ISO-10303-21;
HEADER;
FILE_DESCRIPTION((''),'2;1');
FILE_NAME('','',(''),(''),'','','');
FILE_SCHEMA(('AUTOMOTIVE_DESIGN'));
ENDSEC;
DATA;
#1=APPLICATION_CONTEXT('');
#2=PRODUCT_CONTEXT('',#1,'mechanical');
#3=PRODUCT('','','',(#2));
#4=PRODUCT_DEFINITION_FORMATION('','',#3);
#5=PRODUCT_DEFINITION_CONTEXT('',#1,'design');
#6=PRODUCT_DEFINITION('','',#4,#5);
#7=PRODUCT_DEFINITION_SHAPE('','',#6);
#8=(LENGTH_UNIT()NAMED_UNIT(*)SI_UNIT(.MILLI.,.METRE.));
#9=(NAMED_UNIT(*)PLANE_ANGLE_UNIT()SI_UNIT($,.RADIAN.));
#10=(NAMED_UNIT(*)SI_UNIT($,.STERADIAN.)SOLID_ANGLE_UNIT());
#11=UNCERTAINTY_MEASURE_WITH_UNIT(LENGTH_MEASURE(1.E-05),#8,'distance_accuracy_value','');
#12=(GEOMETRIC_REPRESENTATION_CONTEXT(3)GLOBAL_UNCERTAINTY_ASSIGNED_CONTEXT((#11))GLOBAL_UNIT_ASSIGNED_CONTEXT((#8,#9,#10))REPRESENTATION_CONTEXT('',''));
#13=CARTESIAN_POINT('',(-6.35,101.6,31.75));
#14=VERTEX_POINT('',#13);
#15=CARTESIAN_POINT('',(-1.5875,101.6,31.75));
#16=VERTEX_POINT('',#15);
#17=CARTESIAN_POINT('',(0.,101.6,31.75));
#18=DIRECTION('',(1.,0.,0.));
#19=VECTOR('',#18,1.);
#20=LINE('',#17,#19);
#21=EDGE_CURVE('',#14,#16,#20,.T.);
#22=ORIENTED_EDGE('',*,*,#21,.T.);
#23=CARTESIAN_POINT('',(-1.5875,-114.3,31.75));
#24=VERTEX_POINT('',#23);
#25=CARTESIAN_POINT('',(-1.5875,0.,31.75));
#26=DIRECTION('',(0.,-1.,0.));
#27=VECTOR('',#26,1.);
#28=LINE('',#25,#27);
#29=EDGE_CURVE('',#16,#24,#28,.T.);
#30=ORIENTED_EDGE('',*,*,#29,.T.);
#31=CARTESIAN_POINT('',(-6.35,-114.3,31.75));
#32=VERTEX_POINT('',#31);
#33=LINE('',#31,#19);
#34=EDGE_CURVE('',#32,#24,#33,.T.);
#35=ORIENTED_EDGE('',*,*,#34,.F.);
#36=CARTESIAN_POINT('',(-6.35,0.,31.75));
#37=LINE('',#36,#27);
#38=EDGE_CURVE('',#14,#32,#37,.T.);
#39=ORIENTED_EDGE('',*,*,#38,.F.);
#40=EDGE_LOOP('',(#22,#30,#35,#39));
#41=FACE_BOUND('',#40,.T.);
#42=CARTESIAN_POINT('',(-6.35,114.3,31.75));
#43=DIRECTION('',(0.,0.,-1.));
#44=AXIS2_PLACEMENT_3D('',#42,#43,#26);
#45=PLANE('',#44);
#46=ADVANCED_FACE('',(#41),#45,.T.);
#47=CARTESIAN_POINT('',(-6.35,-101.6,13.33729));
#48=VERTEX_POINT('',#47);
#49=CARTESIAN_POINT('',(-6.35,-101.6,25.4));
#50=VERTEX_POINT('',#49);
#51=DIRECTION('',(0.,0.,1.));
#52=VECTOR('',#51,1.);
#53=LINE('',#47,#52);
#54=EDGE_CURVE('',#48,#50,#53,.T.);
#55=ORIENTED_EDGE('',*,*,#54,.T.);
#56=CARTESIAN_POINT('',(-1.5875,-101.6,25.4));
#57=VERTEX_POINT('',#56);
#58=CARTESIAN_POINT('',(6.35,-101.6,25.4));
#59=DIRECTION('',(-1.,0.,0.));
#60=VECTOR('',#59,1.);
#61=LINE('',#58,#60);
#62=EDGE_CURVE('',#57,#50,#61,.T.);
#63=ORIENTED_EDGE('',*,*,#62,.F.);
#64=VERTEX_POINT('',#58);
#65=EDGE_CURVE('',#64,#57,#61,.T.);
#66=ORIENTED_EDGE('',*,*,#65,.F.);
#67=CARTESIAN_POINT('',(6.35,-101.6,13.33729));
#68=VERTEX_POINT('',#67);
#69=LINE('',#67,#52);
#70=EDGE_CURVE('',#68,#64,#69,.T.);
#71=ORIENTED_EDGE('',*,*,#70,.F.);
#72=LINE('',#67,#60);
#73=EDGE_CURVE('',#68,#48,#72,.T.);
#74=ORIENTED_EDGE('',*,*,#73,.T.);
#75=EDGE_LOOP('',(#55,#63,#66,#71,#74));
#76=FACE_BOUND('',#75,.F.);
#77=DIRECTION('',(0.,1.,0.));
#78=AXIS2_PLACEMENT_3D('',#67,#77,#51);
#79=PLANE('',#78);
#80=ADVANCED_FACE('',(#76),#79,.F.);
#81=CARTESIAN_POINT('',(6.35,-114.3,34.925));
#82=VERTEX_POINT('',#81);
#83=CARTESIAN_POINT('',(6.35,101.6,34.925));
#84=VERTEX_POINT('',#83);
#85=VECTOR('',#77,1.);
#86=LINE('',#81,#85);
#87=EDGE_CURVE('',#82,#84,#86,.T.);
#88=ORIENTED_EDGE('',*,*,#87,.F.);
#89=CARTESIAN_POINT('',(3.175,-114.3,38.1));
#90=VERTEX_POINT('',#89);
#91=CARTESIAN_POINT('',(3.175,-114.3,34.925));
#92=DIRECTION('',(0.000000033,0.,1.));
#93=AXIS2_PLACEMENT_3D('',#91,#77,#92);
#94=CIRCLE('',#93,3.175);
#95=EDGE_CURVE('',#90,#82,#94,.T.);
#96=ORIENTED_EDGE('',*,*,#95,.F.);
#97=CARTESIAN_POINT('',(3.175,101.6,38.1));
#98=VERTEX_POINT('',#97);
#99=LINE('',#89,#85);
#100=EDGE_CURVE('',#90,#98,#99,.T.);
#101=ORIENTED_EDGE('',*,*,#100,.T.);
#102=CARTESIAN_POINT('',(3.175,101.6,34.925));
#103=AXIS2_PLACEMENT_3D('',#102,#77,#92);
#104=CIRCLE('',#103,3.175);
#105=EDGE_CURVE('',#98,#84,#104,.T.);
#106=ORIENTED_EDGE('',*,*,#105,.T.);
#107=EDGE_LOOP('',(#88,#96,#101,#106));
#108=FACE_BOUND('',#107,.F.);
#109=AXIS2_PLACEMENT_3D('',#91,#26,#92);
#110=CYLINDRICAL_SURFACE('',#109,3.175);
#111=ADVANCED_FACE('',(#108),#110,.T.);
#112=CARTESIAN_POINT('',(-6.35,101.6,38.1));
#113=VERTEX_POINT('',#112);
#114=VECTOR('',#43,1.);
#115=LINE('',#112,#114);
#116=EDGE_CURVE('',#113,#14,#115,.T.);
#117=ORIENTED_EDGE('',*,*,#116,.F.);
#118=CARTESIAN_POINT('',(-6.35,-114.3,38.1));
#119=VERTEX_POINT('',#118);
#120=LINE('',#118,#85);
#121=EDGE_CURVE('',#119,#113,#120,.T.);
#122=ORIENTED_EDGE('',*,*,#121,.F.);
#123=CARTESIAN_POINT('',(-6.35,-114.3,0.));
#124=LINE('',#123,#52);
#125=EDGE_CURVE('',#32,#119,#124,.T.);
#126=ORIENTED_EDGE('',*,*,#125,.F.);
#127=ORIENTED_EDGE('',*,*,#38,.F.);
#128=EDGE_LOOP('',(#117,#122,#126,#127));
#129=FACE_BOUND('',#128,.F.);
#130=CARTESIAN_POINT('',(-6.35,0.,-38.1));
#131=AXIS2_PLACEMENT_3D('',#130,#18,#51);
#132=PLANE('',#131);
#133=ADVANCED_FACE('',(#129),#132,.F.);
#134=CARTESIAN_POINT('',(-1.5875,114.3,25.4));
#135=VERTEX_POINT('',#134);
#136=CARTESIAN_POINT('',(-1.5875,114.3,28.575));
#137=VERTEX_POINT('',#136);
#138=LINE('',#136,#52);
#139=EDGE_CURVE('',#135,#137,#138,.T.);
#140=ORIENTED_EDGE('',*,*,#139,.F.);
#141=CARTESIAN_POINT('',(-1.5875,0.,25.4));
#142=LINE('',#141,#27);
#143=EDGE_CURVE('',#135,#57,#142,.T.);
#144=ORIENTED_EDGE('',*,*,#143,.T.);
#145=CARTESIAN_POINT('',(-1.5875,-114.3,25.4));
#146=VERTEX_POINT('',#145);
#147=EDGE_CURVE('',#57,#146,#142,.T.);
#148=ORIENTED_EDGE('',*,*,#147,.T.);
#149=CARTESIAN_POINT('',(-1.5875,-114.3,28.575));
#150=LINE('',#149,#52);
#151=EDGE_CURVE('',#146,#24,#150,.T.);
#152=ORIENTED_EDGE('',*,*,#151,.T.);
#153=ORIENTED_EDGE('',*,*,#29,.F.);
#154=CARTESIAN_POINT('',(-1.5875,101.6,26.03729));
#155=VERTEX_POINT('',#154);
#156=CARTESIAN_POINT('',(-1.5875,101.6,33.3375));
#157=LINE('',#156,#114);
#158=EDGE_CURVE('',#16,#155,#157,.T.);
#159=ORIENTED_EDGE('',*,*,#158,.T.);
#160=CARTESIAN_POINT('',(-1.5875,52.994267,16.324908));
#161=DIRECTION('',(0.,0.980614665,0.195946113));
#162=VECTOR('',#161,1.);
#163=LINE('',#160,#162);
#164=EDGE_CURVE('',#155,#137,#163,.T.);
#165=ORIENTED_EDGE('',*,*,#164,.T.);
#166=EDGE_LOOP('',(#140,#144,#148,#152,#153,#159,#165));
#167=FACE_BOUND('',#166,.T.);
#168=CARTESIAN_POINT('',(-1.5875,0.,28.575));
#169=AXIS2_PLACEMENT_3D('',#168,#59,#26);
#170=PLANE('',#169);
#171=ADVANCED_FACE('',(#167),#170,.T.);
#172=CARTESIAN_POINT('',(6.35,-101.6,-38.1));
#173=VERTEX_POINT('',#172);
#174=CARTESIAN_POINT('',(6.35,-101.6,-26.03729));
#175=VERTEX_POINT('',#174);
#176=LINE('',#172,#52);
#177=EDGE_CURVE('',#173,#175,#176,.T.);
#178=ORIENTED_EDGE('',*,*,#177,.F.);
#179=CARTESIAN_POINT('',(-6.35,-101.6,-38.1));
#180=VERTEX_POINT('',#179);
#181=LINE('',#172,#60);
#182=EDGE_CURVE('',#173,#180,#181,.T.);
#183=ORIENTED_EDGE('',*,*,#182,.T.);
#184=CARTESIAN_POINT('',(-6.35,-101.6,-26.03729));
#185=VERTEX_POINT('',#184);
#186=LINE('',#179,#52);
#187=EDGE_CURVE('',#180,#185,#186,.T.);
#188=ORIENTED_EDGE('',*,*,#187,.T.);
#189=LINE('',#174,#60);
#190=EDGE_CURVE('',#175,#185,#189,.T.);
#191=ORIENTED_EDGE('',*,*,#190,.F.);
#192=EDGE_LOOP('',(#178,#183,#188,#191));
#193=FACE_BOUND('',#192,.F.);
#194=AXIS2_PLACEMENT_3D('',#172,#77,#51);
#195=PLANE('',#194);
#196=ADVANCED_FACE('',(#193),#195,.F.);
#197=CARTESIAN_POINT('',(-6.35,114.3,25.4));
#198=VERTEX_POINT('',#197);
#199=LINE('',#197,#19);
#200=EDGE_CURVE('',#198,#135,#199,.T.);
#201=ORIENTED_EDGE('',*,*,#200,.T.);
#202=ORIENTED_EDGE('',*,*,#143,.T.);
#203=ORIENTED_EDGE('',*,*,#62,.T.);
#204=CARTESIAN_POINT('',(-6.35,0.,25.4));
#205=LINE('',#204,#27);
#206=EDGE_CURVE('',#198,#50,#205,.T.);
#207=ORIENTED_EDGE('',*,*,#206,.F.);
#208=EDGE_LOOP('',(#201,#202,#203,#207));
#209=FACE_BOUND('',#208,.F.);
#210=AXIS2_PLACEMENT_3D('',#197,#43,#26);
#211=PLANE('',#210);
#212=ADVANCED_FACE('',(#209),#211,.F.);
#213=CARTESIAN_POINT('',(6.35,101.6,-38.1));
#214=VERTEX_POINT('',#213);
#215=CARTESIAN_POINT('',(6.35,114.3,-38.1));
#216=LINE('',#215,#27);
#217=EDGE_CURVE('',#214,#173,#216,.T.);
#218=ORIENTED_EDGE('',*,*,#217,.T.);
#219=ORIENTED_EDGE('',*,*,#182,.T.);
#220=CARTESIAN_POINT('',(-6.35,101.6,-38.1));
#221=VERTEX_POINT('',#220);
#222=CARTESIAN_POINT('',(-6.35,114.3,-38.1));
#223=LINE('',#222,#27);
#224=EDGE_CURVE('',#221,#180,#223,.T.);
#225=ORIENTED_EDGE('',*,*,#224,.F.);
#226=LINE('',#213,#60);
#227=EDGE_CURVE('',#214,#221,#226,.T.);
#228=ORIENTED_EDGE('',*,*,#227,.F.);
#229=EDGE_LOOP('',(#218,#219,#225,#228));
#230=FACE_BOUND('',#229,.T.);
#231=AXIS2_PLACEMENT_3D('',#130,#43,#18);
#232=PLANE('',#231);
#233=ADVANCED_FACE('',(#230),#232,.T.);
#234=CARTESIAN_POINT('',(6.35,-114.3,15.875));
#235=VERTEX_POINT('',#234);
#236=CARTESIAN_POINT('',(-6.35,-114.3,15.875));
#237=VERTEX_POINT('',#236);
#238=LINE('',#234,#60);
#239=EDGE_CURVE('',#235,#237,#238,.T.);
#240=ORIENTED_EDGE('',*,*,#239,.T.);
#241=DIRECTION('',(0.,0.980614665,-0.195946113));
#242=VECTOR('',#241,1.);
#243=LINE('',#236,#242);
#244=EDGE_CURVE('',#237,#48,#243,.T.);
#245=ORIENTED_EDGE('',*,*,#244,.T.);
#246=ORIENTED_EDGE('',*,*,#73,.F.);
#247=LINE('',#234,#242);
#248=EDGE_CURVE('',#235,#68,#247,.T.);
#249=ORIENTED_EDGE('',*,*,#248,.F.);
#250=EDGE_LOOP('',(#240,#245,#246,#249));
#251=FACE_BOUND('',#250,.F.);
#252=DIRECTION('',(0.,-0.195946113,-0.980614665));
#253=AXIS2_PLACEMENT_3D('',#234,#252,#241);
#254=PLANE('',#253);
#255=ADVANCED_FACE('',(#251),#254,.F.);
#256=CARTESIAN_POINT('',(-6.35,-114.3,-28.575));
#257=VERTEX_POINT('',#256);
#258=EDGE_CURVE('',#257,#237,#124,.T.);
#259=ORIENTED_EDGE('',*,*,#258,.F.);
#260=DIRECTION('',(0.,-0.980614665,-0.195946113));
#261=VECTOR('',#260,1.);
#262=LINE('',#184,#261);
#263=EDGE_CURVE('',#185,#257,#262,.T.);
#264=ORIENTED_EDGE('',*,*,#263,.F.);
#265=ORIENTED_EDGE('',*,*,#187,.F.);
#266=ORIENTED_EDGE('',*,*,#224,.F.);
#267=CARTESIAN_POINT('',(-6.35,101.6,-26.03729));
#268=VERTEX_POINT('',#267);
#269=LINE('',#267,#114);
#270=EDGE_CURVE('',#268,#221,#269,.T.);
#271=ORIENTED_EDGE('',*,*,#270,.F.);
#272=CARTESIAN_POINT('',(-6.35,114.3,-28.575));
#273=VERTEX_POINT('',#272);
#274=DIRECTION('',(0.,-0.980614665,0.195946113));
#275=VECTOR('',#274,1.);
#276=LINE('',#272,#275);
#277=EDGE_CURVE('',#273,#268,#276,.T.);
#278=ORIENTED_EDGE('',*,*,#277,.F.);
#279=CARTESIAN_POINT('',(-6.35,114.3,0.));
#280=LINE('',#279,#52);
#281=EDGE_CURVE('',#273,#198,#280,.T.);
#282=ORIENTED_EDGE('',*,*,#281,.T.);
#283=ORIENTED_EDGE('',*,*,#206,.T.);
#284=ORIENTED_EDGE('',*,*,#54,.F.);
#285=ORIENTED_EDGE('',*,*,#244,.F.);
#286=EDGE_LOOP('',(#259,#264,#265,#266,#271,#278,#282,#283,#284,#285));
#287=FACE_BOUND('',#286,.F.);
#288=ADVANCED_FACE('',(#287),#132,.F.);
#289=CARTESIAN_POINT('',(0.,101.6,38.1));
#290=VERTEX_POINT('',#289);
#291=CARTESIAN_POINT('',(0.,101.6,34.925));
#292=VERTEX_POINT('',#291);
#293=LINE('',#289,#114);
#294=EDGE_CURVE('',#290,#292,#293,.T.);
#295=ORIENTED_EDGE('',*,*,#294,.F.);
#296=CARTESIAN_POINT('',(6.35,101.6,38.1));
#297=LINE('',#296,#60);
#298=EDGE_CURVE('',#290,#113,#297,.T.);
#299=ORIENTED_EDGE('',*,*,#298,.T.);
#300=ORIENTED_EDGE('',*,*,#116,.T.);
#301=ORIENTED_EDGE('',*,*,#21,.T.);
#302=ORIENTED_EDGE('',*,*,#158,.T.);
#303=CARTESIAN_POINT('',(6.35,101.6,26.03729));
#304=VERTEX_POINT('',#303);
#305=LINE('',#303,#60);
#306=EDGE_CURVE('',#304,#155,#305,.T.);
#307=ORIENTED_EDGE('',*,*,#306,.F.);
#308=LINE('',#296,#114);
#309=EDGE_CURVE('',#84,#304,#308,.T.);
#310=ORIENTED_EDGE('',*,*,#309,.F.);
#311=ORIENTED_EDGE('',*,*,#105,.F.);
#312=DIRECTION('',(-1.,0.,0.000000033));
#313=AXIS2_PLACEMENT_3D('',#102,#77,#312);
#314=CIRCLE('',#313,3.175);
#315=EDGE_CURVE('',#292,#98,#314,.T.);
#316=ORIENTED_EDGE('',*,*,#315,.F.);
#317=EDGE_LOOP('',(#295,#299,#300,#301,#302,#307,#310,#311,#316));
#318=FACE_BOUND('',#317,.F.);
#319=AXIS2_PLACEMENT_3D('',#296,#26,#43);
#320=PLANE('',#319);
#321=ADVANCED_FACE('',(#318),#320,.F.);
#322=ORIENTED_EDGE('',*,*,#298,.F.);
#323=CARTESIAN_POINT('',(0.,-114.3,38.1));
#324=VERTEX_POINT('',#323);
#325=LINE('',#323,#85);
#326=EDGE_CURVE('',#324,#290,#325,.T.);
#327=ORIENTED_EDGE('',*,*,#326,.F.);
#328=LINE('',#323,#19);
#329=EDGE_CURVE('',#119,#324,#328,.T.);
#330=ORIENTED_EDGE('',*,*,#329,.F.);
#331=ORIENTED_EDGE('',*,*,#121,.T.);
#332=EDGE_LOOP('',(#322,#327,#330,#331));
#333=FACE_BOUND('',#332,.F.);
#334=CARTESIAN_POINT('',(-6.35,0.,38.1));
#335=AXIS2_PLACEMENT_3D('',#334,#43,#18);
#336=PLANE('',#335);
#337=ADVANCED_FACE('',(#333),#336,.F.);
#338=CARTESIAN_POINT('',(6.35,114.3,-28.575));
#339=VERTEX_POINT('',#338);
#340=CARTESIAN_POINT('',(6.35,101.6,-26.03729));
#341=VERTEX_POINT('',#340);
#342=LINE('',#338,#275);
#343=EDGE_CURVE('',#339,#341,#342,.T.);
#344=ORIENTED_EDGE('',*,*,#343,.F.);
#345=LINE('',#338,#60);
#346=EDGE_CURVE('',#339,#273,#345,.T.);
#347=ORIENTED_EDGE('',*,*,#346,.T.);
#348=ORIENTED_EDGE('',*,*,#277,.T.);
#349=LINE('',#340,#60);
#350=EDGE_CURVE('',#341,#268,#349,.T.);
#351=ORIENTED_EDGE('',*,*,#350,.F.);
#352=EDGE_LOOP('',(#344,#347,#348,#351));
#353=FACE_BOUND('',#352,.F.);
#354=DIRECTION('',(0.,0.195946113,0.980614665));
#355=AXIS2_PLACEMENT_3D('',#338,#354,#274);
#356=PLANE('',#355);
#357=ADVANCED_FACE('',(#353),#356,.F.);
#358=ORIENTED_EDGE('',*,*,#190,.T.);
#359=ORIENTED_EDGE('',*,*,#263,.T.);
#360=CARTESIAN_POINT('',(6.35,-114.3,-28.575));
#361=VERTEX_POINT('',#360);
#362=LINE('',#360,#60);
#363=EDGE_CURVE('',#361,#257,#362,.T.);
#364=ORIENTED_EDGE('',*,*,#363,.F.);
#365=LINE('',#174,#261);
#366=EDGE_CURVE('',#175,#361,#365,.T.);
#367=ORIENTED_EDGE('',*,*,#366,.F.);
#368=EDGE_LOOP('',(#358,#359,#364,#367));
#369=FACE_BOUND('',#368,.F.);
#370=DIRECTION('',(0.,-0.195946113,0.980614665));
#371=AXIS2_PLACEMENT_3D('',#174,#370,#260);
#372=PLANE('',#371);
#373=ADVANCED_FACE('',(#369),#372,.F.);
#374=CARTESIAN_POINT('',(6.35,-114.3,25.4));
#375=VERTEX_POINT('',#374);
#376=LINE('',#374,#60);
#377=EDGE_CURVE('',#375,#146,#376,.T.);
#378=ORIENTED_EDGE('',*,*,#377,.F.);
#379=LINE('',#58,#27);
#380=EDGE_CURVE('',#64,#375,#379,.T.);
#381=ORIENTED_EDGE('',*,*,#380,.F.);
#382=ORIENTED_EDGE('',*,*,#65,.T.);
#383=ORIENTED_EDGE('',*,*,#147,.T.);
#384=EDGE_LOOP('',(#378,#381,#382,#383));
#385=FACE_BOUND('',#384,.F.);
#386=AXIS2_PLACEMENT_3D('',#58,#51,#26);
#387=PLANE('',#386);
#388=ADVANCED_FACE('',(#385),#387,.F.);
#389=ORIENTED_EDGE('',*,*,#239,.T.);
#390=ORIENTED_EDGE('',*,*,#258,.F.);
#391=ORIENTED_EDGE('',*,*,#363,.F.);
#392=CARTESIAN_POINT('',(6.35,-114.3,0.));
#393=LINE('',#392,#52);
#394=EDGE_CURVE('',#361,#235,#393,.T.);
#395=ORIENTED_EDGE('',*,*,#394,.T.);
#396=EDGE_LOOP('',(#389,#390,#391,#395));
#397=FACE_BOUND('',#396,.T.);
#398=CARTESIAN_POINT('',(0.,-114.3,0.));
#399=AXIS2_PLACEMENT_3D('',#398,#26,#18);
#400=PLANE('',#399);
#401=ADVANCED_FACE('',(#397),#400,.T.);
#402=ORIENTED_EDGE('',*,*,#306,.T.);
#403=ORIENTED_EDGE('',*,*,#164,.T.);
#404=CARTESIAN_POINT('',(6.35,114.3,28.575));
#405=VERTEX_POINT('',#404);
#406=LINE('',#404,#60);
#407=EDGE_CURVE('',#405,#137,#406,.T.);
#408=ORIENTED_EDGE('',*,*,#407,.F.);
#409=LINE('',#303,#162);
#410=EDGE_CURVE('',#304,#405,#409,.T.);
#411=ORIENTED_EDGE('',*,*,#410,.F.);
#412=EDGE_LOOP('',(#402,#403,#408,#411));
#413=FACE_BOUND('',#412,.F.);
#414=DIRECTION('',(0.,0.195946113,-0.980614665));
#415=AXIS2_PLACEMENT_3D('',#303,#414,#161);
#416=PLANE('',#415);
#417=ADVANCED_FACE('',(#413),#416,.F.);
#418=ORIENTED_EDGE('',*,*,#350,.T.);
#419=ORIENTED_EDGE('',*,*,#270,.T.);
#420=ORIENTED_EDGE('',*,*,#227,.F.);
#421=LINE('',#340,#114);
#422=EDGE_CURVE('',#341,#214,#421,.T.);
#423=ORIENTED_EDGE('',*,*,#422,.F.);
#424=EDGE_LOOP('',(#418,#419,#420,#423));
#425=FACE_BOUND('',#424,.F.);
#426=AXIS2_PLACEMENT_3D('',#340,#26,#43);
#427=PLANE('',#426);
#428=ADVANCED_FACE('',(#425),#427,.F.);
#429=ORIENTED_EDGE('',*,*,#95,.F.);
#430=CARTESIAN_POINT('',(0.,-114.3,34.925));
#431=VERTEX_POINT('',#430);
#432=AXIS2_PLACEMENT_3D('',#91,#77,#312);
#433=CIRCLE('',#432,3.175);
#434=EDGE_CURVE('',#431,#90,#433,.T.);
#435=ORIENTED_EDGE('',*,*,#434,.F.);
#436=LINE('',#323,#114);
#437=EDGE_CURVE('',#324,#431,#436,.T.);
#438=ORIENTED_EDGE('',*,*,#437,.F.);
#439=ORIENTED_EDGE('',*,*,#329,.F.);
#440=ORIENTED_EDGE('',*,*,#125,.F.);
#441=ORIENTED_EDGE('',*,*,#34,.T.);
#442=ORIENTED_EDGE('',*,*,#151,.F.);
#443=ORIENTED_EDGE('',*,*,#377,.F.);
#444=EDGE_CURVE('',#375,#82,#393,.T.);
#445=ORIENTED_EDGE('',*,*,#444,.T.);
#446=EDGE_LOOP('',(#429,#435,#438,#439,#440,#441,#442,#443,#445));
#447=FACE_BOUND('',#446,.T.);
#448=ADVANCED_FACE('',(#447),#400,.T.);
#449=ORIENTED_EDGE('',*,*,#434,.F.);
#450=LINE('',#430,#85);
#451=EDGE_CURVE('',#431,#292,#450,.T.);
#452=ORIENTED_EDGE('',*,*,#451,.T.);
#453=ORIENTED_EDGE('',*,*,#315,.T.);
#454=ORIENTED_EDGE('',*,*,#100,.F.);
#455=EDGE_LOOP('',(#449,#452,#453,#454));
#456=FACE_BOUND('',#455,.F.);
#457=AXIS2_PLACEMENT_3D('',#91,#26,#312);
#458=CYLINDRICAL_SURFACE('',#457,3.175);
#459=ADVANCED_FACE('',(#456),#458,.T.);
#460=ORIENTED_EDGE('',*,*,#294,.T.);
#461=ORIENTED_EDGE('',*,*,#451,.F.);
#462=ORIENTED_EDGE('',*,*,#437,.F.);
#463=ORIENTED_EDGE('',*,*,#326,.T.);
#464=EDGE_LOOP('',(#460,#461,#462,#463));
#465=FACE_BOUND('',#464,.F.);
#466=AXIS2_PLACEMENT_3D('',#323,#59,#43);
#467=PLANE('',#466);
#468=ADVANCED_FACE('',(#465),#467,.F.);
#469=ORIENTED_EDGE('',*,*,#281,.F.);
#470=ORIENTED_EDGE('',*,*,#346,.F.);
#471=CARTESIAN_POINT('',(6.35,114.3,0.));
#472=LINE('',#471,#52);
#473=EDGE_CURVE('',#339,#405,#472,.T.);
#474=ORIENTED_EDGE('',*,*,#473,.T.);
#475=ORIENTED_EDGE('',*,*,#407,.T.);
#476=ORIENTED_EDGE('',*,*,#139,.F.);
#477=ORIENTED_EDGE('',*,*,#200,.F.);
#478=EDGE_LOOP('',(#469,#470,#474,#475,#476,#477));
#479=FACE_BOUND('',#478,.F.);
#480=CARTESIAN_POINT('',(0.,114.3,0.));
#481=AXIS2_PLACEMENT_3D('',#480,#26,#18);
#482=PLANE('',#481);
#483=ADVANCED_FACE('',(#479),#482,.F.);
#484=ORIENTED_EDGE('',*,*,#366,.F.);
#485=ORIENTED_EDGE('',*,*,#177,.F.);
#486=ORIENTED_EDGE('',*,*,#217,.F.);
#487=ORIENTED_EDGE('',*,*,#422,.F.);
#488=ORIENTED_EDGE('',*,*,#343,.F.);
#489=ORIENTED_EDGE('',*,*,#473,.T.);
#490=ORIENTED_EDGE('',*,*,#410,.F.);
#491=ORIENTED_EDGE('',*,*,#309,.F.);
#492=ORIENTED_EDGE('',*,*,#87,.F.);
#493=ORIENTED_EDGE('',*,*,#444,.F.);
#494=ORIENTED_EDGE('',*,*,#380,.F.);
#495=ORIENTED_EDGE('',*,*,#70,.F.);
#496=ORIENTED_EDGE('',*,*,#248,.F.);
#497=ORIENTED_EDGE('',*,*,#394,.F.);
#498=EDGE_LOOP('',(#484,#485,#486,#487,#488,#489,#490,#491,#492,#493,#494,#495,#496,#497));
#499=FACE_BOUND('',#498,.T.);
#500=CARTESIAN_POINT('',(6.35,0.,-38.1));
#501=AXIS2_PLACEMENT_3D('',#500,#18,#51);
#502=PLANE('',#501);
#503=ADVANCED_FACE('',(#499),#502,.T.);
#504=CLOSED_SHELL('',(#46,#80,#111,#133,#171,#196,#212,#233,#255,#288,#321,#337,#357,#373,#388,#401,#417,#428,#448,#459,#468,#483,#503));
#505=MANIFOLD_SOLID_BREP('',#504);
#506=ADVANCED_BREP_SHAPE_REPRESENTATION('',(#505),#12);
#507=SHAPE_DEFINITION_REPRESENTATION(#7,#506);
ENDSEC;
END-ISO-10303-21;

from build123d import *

# Parameters (mm, degrees)
F0_W     = 12.7
F0_H     = 76.2
F1_DEPTH = 114.3
F3_DEPTH = 12.7
F4_W     = 228.6
F4_H     = 6.35
F5_DEPTH = 4.7625
F8_DEPTH = 215.9


with BuildPart() as f1:
    # F0 (on Front) → F1 (new body, symmetric)
    with BuildSketch(Plane.XZ):
        Rectangle(F0_W, F0_H)
    extrude(amount=F1_DEPTH, both=True)

    # F2 (on face) → F3 (cut, through all)
    with BuildSketch(Plane.YZ.offset(6.35)):
        Polygon((-101.6, 25.4), (-114.3, 25.4), (-114.3, 15.875), (-101.6, 13.33729), align=None)
        Polygon((-114.3, -28.575), (-114.3, -38.1), (-101.6, -38.1), (-101.6, -26.03729), align=None)
        Polygon((114.3, 28.575), (114.3, 38.1), (101.6, 38.1), (101.6, 26.03729), align=None)
        Polygon((101.6, -38.1), (114.3, -38.1), (114.3, -28.575), (101.6, -26.03729), align=None)
    extrude(amount=-F3_DEPTH, mode=Mode.SUBTRACT)

    # F4 (on face) → F5 (cut)
    with BuildSketch(Plane(origin=(-6.35, 0, 0), x_dir=(0, -1, 0), z_dir=(-1, 0, 0))):
        with Locations((0, 28.575)):
            Rectangle(F4_W, F4_H)
    extrude(amount=-F5_DEPTH, mode=Mode.SUBTRACT)

    # F7 (on face) → F8 (cut, through all)
    with BuildSketch(Plane.XZ.offset(114.3)):
        with BuildLine():
            ThreePointArc((0, 34.925), (0.929936, 37.170064), (3.175, 38.1))
            Line((3.175, 38.1), (0, 38.1))
            Line((0, 38.1), (0, 34.925))
        make_face()
        with BuildLine():
            ThreePointArc((3.175, 38.1), (5.420064, 37.170064), (6.35, 34.925))
            Line((6.35, 34.925), (6.35, 38.1))
            Line((6.35, 38.1), (3.175, 38.1))
        make_face()
    extrude(amount=-F8_DEPTH, mode=Mode.SUBTRACT)


solid = f1.part
